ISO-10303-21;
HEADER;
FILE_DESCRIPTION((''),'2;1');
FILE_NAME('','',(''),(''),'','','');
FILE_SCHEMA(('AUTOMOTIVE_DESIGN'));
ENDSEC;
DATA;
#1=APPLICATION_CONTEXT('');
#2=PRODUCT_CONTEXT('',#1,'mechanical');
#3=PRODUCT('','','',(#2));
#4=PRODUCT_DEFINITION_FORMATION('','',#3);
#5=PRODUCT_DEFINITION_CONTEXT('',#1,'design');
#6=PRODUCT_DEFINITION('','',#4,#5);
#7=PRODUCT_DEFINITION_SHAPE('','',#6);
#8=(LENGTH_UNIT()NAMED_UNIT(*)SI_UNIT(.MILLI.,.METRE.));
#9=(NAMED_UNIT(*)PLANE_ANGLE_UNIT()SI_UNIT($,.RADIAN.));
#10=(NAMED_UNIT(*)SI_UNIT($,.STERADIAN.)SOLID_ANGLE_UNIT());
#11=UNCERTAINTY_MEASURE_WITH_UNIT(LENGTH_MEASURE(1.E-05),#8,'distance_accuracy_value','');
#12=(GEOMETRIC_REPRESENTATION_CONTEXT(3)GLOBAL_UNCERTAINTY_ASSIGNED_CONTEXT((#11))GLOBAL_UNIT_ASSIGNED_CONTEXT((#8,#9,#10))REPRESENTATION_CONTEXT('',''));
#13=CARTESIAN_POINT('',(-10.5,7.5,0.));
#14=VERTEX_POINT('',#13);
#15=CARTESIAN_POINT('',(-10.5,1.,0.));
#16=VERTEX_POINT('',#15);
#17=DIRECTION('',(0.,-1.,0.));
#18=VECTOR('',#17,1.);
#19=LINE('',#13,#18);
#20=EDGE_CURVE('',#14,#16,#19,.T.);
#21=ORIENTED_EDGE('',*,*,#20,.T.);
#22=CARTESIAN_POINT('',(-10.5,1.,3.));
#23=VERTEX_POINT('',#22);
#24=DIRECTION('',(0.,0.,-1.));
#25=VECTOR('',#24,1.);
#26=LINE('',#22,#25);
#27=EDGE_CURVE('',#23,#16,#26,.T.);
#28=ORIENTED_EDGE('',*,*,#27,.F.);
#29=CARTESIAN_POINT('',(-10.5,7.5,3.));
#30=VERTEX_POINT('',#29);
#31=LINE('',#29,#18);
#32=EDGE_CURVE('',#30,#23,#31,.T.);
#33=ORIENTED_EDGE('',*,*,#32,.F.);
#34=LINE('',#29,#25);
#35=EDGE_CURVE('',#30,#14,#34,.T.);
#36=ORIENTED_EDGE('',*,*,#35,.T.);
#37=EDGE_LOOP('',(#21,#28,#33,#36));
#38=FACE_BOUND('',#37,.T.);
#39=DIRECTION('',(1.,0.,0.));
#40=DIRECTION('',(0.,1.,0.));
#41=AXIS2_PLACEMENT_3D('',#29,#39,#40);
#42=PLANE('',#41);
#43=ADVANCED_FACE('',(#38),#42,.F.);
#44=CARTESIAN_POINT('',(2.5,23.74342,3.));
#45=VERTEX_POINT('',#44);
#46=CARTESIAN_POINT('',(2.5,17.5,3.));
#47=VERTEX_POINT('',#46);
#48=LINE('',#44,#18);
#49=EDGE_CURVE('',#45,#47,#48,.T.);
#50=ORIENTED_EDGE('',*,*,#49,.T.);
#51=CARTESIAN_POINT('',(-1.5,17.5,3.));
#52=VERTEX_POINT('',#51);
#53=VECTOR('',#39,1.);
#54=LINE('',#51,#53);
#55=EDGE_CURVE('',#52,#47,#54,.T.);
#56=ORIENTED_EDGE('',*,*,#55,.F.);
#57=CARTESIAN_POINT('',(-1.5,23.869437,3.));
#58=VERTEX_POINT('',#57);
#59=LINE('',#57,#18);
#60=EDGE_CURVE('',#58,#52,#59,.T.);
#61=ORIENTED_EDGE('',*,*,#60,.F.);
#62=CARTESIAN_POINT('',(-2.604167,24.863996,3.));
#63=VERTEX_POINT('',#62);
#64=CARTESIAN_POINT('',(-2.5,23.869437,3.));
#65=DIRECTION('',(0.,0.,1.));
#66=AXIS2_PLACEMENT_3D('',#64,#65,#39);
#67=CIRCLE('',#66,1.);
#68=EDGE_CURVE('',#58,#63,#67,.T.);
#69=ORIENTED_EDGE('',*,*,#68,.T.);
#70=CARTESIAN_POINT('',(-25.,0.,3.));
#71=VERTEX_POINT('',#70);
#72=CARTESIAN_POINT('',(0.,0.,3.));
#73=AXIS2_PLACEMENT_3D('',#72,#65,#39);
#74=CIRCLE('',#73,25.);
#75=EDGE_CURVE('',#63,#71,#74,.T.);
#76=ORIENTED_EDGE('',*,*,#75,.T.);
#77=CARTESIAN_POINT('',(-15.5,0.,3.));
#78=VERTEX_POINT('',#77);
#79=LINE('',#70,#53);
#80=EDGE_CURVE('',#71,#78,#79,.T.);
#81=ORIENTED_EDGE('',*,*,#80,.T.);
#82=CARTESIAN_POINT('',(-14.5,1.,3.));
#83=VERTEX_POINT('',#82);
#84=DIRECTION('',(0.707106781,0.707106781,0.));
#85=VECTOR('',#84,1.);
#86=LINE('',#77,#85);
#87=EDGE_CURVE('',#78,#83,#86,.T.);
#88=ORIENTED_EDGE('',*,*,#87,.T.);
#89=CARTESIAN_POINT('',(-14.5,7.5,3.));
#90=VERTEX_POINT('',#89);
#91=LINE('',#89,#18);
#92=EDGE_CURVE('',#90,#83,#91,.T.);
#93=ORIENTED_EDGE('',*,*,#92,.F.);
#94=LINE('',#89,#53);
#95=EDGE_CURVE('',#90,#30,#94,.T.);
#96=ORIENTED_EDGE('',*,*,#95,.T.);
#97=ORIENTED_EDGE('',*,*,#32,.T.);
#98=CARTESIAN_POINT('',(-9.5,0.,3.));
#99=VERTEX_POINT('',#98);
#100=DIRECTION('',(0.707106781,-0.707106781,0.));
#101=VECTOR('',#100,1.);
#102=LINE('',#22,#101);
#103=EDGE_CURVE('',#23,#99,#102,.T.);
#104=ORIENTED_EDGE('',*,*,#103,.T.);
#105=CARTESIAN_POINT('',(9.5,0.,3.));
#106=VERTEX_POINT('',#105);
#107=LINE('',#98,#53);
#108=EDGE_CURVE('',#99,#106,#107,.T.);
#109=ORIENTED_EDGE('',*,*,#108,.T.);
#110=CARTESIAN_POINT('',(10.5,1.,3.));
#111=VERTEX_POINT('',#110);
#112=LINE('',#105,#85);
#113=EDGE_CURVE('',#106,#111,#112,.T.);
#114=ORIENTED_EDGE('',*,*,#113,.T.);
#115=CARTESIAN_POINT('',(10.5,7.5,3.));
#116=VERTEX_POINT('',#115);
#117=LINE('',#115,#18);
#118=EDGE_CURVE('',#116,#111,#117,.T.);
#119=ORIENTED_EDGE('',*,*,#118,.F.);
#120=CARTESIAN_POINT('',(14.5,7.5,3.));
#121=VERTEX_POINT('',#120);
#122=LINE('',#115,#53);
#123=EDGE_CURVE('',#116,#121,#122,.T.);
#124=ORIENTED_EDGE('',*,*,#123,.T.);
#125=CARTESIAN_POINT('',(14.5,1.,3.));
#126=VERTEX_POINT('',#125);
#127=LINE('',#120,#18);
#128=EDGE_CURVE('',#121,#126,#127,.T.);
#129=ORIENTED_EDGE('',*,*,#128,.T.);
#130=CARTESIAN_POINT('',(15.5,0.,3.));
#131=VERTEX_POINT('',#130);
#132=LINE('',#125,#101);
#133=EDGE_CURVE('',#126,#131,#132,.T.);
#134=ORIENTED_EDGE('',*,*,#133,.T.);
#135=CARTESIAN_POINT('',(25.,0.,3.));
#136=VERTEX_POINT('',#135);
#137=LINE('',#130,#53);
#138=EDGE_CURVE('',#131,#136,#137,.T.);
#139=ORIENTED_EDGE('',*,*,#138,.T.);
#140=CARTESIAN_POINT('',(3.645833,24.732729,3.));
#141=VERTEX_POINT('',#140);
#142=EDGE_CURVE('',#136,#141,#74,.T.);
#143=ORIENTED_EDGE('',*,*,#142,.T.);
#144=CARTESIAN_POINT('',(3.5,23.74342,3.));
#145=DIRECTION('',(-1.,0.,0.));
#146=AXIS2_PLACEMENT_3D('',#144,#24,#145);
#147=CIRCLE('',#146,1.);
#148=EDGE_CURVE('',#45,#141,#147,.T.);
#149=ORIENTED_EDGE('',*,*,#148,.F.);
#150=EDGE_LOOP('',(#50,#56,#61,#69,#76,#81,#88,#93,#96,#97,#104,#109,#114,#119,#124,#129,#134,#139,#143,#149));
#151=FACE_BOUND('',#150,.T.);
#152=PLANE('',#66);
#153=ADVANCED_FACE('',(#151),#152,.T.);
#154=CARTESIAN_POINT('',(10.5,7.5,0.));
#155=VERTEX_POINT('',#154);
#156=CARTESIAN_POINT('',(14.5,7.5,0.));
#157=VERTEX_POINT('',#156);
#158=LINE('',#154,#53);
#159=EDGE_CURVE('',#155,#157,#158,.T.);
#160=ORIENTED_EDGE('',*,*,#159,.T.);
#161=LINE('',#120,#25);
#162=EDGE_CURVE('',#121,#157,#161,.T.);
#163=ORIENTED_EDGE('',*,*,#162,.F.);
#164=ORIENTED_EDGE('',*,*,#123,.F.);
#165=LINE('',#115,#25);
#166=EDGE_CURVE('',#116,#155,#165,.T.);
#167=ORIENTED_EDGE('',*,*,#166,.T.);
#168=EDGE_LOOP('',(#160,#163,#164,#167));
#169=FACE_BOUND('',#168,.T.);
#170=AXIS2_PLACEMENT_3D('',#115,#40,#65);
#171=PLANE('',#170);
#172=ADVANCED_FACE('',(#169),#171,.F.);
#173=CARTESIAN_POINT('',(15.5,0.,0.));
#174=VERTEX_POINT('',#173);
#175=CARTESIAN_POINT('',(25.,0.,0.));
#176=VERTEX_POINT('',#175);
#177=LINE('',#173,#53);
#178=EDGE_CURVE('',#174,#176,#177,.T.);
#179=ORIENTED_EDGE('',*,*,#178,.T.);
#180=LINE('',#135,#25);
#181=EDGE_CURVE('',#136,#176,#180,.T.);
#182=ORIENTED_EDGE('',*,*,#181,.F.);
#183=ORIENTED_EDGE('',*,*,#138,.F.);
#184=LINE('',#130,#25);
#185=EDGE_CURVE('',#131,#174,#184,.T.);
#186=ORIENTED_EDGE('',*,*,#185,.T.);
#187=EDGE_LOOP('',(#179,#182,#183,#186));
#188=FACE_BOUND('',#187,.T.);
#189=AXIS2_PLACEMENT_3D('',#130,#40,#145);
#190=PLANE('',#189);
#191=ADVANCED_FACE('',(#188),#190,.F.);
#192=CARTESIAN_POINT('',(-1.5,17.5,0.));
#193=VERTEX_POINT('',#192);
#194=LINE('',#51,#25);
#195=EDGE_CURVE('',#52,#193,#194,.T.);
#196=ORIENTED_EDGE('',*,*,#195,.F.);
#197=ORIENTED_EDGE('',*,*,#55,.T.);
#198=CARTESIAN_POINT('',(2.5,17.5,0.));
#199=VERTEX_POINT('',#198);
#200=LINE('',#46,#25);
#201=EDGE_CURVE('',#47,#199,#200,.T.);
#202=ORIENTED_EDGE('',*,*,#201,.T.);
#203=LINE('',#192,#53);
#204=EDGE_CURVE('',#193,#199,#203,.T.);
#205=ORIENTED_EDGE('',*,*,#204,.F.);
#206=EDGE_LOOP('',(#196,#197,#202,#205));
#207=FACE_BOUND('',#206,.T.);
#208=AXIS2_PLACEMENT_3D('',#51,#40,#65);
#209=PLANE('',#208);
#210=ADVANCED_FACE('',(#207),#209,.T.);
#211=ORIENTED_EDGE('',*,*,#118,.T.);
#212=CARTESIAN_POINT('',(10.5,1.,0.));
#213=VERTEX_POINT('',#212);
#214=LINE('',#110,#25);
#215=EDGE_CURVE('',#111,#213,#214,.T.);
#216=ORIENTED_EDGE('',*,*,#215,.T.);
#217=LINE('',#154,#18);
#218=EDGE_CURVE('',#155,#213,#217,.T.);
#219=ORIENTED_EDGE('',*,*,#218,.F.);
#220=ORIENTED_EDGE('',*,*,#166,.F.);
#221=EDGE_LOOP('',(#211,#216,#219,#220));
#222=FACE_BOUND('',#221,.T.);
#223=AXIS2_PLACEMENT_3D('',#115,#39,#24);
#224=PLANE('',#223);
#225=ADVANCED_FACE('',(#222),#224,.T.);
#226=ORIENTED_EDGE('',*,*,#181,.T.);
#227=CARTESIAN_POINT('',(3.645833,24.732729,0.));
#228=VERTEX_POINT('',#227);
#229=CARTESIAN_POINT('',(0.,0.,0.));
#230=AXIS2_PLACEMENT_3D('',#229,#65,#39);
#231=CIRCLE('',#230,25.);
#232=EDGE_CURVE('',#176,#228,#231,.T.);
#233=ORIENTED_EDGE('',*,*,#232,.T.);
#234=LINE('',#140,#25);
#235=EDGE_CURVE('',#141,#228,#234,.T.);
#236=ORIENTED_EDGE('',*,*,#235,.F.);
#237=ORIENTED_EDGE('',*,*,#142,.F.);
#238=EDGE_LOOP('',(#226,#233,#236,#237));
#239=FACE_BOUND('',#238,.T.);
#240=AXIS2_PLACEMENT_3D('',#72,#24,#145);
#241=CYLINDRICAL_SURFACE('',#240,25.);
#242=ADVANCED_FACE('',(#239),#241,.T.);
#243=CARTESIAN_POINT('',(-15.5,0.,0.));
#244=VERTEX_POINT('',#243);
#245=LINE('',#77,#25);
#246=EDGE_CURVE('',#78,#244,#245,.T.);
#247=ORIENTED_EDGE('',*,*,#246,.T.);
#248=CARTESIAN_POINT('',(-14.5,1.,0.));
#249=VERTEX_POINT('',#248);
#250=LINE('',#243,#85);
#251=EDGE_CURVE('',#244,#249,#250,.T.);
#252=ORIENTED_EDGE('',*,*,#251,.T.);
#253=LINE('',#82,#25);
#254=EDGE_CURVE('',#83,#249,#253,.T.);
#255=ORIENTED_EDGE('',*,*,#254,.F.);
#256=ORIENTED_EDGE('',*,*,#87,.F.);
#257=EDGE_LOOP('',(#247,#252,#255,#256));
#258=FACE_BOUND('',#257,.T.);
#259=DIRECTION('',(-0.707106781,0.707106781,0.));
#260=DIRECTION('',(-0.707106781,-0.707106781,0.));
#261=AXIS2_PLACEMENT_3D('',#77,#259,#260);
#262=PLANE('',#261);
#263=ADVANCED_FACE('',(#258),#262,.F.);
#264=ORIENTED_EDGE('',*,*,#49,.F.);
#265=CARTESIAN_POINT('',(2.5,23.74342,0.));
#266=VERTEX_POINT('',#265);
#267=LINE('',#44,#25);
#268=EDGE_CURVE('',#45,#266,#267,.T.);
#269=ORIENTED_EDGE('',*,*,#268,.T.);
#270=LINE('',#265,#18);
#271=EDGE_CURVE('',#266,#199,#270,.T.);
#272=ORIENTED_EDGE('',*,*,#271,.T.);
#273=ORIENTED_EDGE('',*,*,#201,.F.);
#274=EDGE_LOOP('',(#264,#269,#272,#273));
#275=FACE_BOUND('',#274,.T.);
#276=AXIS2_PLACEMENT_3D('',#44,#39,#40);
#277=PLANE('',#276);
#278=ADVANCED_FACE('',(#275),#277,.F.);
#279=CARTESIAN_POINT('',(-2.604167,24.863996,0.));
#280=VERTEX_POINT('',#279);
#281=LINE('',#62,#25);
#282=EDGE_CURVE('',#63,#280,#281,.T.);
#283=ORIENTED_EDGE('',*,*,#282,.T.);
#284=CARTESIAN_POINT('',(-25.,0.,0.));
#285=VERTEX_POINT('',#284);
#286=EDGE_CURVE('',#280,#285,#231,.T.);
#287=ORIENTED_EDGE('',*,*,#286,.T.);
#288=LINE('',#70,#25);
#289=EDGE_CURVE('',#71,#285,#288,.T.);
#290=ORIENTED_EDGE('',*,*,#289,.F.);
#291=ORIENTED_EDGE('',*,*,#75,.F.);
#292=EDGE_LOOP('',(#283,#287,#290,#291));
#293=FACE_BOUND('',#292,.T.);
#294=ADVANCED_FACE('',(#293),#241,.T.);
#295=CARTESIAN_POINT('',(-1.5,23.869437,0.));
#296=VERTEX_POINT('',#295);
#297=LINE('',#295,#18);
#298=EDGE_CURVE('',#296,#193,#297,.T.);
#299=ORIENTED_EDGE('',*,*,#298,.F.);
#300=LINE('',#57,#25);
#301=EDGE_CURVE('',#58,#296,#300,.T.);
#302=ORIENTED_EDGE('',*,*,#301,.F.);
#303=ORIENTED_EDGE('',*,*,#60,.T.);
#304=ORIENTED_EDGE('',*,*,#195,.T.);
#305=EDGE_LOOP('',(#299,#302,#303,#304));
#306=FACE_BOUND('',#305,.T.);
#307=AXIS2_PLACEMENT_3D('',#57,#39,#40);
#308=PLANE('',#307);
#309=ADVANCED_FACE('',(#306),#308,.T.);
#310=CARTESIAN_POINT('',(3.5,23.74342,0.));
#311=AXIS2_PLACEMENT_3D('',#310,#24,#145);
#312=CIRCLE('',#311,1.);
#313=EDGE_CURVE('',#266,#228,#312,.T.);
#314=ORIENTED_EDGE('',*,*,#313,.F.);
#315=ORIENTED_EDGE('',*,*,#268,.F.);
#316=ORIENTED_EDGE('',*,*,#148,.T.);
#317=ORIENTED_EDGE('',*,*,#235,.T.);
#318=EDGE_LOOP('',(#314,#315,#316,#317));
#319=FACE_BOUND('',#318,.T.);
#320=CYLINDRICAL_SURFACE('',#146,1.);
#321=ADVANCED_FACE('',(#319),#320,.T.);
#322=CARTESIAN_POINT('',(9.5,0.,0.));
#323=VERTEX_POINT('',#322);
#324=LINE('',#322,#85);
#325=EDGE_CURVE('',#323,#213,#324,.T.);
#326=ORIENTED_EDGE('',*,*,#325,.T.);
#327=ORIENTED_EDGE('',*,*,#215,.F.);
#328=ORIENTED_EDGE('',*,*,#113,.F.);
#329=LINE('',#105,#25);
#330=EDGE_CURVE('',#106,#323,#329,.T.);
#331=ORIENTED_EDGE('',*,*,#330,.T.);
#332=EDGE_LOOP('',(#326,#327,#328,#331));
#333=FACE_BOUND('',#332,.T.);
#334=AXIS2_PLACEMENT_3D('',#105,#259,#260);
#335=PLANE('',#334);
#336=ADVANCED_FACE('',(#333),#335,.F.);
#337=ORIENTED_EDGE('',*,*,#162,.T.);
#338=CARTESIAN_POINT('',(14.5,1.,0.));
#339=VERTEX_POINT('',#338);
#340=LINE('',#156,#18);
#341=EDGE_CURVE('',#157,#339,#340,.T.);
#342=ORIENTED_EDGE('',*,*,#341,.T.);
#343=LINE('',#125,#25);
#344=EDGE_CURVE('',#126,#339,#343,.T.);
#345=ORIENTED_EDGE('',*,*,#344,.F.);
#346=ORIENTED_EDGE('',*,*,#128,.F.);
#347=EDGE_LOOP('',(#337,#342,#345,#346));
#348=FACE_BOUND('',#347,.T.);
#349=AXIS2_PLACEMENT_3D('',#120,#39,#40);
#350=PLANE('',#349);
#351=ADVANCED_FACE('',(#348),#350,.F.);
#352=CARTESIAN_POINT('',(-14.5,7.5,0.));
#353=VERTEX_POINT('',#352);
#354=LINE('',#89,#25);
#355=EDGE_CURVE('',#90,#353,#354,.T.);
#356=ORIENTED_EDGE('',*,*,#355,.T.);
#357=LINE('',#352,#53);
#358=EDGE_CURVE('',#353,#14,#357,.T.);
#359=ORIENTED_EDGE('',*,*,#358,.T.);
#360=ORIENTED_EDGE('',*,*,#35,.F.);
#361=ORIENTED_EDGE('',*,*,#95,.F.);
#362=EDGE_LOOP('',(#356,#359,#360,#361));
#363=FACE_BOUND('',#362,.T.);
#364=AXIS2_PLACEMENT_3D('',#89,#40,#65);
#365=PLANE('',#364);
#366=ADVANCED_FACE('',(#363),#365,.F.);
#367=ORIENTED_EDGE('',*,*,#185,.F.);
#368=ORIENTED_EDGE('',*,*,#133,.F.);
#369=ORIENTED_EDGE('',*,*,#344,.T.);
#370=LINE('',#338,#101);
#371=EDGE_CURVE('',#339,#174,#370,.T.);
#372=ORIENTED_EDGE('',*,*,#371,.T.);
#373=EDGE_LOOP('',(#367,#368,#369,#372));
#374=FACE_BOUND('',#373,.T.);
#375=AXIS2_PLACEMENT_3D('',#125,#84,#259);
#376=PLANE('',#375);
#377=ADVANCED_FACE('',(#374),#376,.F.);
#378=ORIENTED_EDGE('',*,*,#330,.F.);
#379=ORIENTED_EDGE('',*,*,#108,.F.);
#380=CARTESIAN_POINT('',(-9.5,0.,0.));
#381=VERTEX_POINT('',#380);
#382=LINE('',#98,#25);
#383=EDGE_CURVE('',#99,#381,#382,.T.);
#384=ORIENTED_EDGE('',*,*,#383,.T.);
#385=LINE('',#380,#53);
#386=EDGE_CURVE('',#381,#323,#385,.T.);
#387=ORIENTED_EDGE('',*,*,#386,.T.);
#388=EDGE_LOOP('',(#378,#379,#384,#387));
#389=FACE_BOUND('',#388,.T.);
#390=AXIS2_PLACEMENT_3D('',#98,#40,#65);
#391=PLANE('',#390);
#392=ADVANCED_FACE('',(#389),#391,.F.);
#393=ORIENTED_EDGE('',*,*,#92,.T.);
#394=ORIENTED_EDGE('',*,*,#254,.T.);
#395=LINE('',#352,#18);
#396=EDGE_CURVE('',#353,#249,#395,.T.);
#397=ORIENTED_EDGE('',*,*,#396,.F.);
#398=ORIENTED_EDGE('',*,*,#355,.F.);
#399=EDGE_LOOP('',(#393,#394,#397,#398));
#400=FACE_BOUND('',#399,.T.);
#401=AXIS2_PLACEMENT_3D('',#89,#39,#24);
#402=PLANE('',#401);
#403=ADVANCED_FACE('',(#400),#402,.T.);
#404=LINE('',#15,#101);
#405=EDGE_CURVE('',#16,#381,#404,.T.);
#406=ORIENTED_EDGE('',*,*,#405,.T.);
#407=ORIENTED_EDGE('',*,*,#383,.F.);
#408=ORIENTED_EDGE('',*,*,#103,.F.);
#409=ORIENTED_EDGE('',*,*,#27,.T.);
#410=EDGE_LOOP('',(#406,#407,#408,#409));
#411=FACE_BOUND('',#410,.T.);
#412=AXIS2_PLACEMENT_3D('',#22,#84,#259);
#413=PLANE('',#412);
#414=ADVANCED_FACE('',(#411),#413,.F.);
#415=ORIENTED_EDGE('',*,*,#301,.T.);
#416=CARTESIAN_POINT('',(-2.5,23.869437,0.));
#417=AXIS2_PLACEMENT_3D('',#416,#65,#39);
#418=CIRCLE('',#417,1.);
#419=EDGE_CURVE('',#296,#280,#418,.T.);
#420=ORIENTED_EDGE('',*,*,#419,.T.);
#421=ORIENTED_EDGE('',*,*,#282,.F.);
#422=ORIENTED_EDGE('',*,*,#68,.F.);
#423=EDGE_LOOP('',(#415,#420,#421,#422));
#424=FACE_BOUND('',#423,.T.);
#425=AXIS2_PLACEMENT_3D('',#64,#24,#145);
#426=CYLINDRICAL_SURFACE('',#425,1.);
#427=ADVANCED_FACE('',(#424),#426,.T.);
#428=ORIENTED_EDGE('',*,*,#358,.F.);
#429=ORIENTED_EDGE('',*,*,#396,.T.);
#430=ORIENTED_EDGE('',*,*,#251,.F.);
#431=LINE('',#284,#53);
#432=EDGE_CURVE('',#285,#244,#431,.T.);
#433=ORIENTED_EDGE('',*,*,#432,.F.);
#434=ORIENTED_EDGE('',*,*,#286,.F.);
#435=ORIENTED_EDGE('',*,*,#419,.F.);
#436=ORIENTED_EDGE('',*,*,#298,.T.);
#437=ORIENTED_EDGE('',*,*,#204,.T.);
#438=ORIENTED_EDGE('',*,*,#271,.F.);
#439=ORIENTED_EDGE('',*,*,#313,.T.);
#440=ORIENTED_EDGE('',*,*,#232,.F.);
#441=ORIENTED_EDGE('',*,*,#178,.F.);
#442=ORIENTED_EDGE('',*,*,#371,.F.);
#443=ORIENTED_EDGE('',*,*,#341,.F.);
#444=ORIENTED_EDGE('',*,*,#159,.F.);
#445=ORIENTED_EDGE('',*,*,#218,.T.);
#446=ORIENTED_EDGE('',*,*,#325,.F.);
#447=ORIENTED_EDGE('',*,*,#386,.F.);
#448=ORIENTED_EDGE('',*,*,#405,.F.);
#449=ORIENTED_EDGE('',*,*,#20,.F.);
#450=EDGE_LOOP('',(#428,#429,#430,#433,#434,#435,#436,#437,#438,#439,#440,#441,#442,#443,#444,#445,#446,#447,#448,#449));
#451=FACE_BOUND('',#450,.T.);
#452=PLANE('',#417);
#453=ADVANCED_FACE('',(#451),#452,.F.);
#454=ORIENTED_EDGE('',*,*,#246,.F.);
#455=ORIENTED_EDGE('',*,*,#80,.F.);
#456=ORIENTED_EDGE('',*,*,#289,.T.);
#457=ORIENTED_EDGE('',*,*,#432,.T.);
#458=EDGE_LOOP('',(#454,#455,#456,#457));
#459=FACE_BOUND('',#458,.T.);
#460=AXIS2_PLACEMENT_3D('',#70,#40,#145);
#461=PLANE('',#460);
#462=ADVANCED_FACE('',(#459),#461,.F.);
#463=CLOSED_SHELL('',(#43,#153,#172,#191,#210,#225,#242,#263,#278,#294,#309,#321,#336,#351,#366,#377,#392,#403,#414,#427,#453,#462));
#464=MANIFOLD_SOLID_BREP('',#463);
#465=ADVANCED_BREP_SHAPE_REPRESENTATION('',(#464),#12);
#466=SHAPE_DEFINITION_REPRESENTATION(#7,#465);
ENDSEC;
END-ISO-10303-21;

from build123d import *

# Parameters (mm, degrees)
BOSS_EXTRUDE1_DEPTH = 3


with BuildPart() as part:
    # Sketch1 → Boss-Extrude1 (new body)
    with BuildSketch(Plane.XY):
        with BuildLine():
            Line((-25, 0), (-15.5, 0))
            Line((-15.5, 0), (-14.5, 1))
            Line((-14.5, 1), (-14.5, 7.5))
            Line((-14.5, 7.5), (-10.5, 7.5))
            Line((-10.5, 7.5), (-10.5, 1))
            Line((-10.5, 1), (-9.5, 0))
            Line((-9.5, 0), (9.5, 0))
            Line((9.5, 0), (10.5, 1))
            Line((10.5, 1), (10.5, 7.5))
            Line((10.5, 7.5), (14.5, 7.5))
            Line((14.5, 7.5), (14.5, 1))
            Line((14.5, 1), (15.5, 0))
            Line((15.5, 0), (25, 0))
            ThreePointArc((25, 0), (18.922814713, 16.337903272), (3.645833333, 24.732729314))
            ThreePointArc((3.645833333, 24.732729314), (2.846483869, 24.50033273), (2.5, 23.743420141))
            Line((2.5, 23.743420141), (2.5, 17.5))
            Line((2.5, 17.5), (-1.5, 17.5))
            Line((-1.5, 17.5), (-1.5, 23.869436525))
            ThreePointArc((-1.5, 23.869436525), (-1.830734233, 24.612459629), (-2.604166667, 24.86399638))
            ThreePointArc((-2.604166667, 24.86399638), (-18.575577604, 16.731644171), (-25, 0))
        make_face()
    extrude(amount=BOSS_EXTRUDE1_DEPTH)


solid = part.part
